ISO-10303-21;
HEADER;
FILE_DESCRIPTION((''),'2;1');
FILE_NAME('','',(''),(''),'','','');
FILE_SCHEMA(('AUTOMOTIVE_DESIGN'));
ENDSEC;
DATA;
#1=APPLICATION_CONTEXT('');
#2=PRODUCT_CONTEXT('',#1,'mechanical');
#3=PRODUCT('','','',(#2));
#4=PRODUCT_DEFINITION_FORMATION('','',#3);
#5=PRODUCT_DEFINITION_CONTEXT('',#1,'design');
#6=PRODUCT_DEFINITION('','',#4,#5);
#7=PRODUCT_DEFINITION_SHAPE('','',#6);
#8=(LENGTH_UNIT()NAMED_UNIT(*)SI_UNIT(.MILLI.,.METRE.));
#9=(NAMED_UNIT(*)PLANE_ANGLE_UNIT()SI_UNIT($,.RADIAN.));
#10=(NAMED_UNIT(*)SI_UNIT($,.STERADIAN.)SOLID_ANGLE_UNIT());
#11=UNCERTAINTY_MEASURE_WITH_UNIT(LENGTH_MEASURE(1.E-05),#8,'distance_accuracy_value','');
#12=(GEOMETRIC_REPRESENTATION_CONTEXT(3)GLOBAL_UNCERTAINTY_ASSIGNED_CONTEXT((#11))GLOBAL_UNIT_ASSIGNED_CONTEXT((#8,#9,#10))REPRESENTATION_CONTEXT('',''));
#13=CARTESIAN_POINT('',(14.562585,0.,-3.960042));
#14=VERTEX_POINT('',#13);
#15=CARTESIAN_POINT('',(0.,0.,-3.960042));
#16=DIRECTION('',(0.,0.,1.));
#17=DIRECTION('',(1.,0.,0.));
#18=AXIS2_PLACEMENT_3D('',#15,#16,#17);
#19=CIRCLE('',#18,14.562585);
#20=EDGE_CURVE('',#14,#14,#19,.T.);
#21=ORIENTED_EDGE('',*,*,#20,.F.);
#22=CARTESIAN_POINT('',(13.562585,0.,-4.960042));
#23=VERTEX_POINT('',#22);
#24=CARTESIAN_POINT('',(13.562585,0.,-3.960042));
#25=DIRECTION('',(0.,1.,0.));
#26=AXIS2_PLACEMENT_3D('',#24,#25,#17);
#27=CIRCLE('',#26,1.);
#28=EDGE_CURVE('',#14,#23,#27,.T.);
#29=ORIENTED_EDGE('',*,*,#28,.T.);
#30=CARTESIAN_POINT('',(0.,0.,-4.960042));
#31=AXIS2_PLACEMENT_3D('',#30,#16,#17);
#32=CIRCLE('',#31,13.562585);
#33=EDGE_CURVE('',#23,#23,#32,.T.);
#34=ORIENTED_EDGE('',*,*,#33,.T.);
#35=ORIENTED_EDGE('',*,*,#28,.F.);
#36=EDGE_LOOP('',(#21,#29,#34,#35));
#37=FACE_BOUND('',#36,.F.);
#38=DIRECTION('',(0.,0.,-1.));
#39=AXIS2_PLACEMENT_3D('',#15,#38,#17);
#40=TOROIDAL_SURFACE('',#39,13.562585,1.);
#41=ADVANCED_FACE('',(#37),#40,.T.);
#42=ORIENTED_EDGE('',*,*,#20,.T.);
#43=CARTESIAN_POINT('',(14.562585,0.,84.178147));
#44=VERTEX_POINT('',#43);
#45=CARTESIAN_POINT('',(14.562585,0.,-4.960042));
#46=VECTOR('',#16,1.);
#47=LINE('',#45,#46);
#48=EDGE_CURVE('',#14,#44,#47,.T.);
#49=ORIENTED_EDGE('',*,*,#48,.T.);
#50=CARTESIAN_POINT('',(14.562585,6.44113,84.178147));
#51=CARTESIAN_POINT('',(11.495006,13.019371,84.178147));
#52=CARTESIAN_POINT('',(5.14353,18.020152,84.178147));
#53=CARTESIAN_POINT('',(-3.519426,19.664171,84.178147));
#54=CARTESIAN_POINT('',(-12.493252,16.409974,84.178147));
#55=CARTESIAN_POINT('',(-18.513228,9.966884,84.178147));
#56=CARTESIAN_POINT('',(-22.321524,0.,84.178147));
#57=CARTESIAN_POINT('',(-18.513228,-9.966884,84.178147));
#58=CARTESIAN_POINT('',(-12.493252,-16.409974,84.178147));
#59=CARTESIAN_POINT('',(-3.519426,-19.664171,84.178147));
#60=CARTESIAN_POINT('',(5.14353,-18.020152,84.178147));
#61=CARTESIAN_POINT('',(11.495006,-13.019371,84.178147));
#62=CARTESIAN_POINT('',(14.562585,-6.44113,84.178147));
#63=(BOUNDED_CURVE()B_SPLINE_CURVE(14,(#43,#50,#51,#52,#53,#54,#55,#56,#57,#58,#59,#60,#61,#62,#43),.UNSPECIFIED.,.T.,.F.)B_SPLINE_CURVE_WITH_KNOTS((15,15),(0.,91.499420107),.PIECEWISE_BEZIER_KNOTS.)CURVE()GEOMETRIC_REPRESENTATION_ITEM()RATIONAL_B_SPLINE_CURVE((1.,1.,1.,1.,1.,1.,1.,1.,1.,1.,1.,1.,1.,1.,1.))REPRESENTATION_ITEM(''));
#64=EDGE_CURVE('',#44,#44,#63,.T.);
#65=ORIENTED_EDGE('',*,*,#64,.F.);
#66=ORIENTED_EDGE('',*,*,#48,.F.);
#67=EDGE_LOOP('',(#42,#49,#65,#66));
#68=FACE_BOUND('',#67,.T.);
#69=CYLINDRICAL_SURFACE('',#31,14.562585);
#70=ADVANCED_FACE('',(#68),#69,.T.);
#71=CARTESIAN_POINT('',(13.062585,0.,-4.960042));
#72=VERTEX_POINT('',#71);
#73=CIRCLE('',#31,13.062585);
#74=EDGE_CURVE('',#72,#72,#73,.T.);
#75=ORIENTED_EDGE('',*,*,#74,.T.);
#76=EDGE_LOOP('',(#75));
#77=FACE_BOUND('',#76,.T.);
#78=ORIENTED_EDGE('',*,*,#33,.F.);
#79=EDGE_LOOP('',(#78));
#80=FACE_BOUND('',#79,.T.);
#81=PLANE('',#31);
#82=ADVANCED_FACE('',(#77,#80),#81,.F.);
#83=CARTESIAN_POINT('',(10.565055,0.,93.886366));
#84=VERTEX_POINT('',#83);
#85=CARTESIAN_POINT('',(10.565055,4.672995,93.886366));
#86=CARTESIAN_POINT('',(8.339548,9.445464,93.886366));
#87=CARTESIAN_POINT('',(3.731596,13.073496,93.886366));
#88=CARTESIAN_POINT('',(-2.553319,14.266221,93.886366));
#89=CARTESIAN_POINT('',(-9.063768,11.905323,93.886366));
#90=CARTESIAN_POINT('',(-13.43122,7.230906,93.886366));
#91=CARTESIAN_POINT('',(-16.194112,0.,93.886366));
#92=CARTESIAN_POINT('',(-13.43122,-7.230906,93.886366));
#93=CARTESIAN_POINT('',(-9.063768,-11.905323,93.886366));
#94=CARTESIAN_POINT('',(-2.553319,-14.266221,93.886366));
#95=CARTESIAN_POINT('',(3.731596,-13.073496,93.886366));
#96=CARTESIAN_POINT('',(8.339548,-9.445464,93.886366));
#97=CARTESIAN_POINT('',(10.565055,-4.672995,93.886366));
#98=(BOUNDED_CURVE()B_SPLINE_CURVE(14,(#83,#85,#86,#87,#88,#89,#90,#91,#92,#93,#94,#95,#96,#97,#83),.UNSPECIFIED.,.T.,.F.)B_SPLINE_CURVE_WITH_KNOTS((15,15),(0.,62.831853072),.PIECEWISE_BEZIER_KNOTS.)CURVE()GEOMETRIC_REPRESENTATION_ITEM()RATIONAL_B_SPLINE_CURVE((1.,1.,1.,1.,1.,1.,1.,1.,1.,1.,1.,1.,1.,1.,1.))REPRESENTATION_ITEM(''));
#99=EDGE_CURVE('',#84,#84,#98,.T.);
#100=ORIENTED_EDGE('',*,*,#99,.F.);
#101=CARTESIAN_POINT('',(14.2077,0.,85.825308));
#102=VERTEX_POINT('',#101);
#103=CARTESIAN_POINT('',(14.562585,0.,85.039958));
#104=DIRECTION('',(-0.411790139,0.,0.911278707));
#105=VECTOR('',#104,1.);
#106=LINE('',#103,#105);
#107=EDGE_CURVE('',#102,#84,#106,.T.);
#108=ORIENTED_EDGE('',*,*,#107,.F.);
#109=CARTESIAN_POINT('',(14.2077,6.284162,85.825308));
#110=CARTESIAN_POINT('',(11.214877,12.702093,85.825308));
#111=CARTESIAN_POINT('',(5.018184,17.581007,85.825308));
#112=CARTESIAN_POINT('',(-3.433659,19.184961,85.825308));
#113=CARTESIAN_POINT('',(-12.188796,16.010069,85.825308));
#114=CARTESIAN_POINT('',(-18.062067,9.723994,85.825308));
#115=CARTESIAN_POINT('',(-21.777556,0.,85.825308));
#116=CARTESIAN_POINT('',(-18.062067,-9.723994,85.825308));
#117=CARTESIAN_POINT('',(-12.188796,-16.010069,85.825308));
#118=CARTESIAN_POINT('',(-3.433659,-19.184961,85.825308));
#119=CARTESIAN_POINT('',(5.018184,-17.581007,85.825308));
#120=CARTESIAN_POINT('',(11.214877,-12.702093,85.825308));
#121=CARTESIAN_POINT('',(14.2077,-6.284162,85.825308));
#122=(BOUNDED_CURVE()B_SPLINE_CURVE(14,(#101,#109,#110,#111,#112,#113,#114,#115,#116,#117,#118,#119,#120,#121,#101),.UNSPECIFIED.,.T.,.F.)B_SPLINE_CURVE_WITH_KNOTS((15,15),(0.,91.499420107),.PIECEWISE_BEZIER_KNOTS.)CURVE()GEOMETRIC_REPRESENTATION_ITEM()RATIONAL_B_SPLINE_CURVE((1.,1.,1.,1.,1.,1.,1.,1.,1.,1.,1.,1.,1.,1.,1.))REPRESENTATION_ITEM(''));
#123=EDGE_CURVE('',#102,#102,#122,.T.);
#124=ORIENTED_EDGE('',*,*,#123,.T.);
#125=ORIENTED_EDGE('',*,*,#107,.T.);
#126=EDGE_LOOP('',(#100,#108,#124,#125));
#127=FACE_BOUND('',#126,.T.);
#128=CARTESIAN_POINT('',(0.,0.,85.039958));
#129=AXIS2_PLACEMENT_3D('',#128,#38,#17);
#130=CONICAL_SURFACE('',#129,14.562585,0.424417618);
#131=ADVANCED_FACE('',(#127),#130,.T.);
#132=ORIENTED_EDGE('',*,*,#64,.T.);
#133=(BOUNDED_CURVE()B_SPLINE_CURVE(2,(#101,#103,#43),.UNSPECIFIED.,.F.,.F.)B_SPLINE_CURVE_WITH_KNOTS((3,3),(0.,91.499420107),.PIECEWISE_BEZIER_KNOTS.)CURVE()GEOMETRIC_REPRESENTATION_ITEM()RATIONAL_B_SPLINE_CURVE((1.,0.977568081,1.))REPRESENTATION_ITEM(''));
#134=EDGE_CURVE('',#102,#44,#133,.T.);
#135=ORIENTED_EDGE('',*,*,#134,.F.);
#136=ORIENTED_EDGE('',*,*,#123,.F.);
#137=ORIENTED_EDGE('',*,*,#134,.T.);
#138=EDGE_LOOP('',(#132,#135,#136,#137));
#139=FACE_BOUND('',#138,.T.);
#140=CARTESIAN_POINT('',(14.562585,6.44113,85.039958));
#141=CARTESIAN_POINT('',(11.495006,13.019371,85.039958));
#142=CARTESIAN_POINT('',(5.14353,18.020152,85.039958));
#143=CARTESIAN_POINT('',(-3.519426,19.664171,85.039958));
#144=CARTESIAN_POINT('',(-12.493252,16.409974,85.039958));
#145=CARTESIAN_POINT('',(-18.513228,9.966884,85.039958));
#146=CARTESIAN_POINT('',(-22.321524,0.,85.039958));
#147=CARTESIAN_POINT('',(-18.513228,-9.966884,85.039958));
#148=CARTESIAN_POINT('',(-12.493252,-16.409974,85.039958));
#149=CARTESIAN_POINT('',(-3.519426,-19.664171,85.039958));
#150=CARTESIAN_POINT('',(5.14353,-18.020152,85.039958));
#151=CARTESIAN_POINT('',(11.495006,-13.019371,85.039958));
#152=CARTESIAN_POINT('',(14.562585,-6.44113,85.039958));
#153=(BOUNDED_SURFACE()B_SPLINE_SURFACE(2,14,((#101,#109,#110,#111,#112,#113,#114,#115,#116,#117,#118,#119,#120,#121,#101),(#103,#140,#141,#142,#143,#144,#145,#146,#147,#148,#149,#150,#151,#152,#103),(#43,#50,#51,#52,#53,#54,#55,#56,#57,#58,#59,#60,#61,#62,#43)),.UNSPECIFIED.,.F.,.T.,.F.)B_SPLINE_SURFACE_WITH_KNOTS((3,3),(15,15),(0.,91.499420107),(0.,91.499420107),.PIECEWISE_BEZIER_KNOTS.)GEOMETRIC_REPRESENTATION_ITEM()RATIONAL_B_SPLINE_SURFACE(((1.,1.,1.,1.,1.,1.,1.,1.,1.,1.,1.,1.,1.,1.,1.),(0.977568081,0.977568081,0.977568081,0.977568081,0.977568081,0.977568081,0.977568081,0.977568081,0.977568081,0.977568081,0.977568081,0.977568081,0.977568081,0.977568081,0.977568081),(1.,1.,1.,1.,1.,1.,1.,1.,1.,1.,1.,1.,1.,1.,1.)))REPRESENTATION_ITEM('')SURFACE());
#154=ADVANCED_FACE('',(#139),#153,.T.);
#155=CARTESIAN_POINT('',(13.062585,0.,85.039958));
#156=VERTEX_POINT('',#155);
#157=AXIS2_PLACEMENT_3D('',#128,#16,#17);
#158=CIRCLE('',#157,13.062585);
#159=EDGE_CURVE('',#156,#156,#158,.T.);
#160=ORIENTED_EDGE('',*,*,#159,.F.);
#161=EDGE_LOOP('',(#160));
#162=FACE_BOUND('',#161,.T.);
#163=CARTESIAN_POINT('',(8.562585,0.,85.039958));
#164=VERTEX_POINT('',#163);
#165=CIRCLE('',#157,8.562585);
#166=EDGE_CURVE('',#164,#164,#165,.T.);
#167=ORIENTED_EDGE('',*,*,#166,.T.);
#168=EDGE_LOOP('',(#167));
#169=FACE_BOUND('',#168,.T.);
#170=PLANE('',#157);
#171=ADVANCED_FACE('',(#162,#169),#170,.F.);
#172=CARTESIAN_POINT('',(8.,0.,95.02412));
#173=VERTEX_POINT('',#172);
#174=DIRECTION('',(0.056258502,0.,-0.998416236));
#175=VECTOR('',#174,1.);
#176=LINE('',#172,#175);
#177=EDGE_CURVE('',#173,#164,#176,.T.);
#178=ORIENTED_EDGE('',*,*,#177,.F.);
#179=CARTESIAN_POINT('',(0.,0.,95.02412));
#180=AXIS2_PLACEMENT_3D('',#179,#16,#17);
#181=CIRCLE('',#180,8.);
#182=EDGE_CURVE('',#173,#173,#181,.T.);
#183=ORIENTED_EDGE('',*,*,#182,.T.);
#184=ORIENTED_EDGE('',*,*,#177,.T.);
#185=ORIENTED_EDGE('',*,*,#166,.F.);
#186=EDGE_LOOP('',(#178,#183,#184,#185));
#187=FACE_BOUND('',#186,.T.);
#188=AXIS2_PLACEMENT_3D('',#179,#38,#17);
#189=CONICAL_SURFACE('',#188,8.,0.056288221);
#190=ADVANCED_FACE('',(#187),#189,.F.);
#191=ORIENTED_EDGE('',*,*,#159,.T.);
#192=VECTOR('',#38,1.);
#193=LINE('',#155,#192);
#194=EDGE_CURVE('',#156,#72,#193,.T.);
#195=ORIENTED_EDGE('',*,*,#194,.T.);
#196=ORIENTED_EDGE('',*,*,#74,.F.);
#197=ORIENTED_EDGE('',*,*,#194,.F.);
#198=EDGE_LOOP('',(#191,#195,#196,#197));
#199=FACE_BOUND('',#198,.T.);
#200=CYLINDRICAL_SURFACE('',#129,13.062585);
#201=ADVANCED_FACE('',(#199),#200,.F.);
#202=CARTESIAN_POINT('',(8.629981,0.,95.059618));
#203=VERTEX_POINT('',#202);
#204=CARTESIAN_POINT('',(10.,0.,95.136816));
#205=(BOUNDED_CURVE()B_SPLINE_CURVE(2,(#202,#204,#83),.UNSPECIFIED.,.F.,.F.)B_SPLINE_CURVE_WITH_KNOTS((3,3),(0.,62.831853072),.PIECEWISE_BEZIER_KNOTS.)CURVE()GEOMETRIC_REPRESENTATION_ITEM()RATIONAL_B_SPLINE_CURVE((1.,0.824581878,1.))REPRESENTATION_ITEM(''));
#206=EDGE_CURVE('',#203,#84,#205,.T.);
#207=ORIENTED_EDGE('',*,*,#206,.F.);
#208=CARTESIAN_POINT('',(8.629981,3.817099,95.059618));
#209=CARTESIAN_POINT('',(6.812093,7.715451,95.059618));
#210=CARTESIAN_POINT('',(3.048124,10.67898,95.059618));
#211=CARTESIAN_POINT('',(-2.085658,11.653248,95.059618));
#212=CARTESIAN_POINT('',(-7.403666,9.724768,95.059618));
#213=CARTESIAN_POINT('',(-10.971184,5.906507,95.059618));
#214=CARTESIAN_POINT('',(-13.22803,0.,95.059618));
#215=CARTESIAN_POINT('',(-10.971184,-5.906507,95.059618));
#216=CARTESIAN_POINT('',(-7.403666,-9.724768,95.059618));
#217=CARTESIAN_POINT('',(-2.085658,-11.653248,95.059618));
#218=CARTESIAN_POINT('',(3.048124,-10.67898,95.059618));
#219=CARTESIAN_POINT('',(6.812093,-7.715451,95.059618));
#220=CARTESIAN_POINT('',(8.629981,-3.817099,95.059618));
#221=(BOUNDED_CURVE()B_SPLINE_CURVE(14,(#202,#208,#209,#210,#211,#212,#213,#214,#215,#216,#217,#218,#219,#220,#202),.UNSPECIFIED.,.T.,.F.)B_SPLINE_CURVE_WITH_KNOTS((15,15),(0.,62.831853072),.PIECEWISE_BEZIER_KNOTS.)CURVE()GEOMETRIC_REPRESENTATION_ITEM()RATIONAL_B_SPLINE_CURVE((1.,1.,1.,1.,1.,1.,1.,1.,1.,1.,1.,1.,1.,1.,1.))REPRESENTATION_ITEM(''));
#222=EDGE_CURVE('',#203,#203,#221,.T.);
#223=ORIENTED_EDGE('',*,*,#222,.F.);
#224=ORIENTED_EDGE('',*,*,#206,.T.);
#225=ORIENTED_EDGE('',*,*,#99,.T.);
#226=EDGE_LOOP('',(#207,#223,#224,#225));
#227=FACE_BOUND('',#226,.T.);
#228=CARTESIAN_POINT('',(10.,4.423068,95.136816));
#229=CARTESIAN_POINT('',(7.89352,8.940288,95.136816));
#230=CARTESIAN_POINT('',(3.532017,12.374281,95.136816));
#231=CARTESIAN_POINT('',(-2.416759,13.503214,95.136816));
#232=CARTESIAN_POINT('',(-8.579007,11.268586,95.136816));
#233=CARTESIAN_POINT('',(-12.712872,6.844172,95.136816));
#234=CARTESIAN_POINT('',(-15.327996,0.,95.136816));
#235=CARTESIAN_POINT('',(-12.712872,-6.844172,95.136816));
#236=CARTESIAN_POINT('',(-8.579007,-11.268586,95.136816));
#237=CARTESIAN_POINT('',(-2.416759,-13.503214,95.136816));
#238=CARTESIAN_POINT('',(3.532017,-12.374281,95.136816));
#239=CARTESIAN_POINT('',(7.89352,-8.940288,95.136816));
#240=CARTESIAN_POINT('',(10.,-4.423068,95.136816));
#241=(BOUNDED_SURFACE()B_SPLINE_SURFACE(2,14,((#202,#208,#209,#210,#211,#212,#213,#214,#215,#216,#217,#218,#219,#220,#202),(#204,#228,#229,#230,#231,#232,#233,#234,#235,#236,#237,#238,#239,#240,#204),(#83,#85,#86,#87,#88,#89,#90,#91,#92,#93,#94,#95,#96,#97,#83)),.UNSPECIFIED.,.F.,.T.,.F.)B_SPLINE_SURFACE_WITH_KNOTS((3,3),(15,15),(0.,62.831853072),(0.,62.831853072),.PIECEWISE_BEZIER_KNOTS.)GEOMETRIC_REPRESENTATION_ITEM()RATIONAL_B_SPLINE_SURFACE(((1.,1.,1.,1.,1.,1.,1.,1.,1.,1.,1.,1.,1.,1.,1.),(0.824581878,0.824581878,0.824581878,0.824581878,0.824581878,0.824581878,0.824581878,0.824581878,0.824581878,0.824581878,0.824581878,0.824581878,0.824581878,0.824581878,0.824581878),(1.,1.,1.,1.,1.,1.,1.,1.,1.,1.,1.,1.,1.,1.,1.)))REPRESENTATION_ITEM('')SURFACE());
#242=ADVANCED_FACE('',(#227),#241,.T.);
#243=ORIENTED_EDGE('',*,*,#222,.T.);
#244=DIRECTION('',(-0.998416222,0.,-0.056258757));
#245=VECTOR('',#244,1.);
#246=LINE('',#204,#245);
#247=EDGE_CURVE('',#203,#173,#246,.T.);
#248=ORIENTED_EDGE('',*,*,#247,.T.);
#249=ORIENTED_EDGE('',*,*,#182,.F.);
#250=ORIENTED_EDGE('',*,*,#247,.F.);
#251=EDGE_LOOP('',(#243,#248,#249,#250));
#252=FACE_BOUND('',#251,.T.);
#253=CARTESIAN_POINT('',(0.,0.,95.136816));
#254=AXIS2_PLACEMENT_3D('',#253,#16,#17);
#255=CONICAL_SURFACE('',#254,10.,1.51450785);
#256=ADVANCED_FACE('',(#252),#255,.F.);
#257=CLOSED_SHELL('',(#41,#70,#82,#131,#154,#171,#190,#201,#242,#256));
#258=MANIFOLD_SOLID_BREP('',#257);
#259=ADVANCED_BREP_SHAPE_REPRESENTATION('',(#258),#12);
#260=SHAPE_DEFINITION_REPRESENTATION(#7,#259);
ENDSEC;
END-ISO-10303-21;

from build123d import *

# Parameters (mm, degrees)
F3_R = 2
F4_R = 4
F5_R = 1


with BuildPart() as f2:
    # F0 (on Front) → F2 (revolve)
    with BuildSketch(Plane.XZ):
        Polygon((10, 95.136816), (8, 95.02412), (8.562585, 85.039958), (13.062585, 85.039958), (13.062585, -4.960042), (14.562585, -4.960042), (14.562585, 85.039958), align=None)
    revolve(axis=Axis((0, 0, 47.995005), (0, 0, 1)))

    # F3
    f3_edges = [f2.edges().sort_by_distance(p)[0] for p in [
        (-10, 0, 95.136816),
    ]]
    fillet(f3_edges, radius=F3_R)

    # F4
    f4_edges = [f2.edges().sort_by_distance(p)[0] for p in [
        (-14.562585, 0, 85.039958),
    ]]
    fillet(f4_edges, radius=F4_R)

    # F5
    f5_edges = [f2.edges().sort_by_distance(p)[0] for p in [
        (-14.562585, 0, -4.960042),
    ]]
    fillet(f5_edges, radius=F5_R)


solid = f2.part
